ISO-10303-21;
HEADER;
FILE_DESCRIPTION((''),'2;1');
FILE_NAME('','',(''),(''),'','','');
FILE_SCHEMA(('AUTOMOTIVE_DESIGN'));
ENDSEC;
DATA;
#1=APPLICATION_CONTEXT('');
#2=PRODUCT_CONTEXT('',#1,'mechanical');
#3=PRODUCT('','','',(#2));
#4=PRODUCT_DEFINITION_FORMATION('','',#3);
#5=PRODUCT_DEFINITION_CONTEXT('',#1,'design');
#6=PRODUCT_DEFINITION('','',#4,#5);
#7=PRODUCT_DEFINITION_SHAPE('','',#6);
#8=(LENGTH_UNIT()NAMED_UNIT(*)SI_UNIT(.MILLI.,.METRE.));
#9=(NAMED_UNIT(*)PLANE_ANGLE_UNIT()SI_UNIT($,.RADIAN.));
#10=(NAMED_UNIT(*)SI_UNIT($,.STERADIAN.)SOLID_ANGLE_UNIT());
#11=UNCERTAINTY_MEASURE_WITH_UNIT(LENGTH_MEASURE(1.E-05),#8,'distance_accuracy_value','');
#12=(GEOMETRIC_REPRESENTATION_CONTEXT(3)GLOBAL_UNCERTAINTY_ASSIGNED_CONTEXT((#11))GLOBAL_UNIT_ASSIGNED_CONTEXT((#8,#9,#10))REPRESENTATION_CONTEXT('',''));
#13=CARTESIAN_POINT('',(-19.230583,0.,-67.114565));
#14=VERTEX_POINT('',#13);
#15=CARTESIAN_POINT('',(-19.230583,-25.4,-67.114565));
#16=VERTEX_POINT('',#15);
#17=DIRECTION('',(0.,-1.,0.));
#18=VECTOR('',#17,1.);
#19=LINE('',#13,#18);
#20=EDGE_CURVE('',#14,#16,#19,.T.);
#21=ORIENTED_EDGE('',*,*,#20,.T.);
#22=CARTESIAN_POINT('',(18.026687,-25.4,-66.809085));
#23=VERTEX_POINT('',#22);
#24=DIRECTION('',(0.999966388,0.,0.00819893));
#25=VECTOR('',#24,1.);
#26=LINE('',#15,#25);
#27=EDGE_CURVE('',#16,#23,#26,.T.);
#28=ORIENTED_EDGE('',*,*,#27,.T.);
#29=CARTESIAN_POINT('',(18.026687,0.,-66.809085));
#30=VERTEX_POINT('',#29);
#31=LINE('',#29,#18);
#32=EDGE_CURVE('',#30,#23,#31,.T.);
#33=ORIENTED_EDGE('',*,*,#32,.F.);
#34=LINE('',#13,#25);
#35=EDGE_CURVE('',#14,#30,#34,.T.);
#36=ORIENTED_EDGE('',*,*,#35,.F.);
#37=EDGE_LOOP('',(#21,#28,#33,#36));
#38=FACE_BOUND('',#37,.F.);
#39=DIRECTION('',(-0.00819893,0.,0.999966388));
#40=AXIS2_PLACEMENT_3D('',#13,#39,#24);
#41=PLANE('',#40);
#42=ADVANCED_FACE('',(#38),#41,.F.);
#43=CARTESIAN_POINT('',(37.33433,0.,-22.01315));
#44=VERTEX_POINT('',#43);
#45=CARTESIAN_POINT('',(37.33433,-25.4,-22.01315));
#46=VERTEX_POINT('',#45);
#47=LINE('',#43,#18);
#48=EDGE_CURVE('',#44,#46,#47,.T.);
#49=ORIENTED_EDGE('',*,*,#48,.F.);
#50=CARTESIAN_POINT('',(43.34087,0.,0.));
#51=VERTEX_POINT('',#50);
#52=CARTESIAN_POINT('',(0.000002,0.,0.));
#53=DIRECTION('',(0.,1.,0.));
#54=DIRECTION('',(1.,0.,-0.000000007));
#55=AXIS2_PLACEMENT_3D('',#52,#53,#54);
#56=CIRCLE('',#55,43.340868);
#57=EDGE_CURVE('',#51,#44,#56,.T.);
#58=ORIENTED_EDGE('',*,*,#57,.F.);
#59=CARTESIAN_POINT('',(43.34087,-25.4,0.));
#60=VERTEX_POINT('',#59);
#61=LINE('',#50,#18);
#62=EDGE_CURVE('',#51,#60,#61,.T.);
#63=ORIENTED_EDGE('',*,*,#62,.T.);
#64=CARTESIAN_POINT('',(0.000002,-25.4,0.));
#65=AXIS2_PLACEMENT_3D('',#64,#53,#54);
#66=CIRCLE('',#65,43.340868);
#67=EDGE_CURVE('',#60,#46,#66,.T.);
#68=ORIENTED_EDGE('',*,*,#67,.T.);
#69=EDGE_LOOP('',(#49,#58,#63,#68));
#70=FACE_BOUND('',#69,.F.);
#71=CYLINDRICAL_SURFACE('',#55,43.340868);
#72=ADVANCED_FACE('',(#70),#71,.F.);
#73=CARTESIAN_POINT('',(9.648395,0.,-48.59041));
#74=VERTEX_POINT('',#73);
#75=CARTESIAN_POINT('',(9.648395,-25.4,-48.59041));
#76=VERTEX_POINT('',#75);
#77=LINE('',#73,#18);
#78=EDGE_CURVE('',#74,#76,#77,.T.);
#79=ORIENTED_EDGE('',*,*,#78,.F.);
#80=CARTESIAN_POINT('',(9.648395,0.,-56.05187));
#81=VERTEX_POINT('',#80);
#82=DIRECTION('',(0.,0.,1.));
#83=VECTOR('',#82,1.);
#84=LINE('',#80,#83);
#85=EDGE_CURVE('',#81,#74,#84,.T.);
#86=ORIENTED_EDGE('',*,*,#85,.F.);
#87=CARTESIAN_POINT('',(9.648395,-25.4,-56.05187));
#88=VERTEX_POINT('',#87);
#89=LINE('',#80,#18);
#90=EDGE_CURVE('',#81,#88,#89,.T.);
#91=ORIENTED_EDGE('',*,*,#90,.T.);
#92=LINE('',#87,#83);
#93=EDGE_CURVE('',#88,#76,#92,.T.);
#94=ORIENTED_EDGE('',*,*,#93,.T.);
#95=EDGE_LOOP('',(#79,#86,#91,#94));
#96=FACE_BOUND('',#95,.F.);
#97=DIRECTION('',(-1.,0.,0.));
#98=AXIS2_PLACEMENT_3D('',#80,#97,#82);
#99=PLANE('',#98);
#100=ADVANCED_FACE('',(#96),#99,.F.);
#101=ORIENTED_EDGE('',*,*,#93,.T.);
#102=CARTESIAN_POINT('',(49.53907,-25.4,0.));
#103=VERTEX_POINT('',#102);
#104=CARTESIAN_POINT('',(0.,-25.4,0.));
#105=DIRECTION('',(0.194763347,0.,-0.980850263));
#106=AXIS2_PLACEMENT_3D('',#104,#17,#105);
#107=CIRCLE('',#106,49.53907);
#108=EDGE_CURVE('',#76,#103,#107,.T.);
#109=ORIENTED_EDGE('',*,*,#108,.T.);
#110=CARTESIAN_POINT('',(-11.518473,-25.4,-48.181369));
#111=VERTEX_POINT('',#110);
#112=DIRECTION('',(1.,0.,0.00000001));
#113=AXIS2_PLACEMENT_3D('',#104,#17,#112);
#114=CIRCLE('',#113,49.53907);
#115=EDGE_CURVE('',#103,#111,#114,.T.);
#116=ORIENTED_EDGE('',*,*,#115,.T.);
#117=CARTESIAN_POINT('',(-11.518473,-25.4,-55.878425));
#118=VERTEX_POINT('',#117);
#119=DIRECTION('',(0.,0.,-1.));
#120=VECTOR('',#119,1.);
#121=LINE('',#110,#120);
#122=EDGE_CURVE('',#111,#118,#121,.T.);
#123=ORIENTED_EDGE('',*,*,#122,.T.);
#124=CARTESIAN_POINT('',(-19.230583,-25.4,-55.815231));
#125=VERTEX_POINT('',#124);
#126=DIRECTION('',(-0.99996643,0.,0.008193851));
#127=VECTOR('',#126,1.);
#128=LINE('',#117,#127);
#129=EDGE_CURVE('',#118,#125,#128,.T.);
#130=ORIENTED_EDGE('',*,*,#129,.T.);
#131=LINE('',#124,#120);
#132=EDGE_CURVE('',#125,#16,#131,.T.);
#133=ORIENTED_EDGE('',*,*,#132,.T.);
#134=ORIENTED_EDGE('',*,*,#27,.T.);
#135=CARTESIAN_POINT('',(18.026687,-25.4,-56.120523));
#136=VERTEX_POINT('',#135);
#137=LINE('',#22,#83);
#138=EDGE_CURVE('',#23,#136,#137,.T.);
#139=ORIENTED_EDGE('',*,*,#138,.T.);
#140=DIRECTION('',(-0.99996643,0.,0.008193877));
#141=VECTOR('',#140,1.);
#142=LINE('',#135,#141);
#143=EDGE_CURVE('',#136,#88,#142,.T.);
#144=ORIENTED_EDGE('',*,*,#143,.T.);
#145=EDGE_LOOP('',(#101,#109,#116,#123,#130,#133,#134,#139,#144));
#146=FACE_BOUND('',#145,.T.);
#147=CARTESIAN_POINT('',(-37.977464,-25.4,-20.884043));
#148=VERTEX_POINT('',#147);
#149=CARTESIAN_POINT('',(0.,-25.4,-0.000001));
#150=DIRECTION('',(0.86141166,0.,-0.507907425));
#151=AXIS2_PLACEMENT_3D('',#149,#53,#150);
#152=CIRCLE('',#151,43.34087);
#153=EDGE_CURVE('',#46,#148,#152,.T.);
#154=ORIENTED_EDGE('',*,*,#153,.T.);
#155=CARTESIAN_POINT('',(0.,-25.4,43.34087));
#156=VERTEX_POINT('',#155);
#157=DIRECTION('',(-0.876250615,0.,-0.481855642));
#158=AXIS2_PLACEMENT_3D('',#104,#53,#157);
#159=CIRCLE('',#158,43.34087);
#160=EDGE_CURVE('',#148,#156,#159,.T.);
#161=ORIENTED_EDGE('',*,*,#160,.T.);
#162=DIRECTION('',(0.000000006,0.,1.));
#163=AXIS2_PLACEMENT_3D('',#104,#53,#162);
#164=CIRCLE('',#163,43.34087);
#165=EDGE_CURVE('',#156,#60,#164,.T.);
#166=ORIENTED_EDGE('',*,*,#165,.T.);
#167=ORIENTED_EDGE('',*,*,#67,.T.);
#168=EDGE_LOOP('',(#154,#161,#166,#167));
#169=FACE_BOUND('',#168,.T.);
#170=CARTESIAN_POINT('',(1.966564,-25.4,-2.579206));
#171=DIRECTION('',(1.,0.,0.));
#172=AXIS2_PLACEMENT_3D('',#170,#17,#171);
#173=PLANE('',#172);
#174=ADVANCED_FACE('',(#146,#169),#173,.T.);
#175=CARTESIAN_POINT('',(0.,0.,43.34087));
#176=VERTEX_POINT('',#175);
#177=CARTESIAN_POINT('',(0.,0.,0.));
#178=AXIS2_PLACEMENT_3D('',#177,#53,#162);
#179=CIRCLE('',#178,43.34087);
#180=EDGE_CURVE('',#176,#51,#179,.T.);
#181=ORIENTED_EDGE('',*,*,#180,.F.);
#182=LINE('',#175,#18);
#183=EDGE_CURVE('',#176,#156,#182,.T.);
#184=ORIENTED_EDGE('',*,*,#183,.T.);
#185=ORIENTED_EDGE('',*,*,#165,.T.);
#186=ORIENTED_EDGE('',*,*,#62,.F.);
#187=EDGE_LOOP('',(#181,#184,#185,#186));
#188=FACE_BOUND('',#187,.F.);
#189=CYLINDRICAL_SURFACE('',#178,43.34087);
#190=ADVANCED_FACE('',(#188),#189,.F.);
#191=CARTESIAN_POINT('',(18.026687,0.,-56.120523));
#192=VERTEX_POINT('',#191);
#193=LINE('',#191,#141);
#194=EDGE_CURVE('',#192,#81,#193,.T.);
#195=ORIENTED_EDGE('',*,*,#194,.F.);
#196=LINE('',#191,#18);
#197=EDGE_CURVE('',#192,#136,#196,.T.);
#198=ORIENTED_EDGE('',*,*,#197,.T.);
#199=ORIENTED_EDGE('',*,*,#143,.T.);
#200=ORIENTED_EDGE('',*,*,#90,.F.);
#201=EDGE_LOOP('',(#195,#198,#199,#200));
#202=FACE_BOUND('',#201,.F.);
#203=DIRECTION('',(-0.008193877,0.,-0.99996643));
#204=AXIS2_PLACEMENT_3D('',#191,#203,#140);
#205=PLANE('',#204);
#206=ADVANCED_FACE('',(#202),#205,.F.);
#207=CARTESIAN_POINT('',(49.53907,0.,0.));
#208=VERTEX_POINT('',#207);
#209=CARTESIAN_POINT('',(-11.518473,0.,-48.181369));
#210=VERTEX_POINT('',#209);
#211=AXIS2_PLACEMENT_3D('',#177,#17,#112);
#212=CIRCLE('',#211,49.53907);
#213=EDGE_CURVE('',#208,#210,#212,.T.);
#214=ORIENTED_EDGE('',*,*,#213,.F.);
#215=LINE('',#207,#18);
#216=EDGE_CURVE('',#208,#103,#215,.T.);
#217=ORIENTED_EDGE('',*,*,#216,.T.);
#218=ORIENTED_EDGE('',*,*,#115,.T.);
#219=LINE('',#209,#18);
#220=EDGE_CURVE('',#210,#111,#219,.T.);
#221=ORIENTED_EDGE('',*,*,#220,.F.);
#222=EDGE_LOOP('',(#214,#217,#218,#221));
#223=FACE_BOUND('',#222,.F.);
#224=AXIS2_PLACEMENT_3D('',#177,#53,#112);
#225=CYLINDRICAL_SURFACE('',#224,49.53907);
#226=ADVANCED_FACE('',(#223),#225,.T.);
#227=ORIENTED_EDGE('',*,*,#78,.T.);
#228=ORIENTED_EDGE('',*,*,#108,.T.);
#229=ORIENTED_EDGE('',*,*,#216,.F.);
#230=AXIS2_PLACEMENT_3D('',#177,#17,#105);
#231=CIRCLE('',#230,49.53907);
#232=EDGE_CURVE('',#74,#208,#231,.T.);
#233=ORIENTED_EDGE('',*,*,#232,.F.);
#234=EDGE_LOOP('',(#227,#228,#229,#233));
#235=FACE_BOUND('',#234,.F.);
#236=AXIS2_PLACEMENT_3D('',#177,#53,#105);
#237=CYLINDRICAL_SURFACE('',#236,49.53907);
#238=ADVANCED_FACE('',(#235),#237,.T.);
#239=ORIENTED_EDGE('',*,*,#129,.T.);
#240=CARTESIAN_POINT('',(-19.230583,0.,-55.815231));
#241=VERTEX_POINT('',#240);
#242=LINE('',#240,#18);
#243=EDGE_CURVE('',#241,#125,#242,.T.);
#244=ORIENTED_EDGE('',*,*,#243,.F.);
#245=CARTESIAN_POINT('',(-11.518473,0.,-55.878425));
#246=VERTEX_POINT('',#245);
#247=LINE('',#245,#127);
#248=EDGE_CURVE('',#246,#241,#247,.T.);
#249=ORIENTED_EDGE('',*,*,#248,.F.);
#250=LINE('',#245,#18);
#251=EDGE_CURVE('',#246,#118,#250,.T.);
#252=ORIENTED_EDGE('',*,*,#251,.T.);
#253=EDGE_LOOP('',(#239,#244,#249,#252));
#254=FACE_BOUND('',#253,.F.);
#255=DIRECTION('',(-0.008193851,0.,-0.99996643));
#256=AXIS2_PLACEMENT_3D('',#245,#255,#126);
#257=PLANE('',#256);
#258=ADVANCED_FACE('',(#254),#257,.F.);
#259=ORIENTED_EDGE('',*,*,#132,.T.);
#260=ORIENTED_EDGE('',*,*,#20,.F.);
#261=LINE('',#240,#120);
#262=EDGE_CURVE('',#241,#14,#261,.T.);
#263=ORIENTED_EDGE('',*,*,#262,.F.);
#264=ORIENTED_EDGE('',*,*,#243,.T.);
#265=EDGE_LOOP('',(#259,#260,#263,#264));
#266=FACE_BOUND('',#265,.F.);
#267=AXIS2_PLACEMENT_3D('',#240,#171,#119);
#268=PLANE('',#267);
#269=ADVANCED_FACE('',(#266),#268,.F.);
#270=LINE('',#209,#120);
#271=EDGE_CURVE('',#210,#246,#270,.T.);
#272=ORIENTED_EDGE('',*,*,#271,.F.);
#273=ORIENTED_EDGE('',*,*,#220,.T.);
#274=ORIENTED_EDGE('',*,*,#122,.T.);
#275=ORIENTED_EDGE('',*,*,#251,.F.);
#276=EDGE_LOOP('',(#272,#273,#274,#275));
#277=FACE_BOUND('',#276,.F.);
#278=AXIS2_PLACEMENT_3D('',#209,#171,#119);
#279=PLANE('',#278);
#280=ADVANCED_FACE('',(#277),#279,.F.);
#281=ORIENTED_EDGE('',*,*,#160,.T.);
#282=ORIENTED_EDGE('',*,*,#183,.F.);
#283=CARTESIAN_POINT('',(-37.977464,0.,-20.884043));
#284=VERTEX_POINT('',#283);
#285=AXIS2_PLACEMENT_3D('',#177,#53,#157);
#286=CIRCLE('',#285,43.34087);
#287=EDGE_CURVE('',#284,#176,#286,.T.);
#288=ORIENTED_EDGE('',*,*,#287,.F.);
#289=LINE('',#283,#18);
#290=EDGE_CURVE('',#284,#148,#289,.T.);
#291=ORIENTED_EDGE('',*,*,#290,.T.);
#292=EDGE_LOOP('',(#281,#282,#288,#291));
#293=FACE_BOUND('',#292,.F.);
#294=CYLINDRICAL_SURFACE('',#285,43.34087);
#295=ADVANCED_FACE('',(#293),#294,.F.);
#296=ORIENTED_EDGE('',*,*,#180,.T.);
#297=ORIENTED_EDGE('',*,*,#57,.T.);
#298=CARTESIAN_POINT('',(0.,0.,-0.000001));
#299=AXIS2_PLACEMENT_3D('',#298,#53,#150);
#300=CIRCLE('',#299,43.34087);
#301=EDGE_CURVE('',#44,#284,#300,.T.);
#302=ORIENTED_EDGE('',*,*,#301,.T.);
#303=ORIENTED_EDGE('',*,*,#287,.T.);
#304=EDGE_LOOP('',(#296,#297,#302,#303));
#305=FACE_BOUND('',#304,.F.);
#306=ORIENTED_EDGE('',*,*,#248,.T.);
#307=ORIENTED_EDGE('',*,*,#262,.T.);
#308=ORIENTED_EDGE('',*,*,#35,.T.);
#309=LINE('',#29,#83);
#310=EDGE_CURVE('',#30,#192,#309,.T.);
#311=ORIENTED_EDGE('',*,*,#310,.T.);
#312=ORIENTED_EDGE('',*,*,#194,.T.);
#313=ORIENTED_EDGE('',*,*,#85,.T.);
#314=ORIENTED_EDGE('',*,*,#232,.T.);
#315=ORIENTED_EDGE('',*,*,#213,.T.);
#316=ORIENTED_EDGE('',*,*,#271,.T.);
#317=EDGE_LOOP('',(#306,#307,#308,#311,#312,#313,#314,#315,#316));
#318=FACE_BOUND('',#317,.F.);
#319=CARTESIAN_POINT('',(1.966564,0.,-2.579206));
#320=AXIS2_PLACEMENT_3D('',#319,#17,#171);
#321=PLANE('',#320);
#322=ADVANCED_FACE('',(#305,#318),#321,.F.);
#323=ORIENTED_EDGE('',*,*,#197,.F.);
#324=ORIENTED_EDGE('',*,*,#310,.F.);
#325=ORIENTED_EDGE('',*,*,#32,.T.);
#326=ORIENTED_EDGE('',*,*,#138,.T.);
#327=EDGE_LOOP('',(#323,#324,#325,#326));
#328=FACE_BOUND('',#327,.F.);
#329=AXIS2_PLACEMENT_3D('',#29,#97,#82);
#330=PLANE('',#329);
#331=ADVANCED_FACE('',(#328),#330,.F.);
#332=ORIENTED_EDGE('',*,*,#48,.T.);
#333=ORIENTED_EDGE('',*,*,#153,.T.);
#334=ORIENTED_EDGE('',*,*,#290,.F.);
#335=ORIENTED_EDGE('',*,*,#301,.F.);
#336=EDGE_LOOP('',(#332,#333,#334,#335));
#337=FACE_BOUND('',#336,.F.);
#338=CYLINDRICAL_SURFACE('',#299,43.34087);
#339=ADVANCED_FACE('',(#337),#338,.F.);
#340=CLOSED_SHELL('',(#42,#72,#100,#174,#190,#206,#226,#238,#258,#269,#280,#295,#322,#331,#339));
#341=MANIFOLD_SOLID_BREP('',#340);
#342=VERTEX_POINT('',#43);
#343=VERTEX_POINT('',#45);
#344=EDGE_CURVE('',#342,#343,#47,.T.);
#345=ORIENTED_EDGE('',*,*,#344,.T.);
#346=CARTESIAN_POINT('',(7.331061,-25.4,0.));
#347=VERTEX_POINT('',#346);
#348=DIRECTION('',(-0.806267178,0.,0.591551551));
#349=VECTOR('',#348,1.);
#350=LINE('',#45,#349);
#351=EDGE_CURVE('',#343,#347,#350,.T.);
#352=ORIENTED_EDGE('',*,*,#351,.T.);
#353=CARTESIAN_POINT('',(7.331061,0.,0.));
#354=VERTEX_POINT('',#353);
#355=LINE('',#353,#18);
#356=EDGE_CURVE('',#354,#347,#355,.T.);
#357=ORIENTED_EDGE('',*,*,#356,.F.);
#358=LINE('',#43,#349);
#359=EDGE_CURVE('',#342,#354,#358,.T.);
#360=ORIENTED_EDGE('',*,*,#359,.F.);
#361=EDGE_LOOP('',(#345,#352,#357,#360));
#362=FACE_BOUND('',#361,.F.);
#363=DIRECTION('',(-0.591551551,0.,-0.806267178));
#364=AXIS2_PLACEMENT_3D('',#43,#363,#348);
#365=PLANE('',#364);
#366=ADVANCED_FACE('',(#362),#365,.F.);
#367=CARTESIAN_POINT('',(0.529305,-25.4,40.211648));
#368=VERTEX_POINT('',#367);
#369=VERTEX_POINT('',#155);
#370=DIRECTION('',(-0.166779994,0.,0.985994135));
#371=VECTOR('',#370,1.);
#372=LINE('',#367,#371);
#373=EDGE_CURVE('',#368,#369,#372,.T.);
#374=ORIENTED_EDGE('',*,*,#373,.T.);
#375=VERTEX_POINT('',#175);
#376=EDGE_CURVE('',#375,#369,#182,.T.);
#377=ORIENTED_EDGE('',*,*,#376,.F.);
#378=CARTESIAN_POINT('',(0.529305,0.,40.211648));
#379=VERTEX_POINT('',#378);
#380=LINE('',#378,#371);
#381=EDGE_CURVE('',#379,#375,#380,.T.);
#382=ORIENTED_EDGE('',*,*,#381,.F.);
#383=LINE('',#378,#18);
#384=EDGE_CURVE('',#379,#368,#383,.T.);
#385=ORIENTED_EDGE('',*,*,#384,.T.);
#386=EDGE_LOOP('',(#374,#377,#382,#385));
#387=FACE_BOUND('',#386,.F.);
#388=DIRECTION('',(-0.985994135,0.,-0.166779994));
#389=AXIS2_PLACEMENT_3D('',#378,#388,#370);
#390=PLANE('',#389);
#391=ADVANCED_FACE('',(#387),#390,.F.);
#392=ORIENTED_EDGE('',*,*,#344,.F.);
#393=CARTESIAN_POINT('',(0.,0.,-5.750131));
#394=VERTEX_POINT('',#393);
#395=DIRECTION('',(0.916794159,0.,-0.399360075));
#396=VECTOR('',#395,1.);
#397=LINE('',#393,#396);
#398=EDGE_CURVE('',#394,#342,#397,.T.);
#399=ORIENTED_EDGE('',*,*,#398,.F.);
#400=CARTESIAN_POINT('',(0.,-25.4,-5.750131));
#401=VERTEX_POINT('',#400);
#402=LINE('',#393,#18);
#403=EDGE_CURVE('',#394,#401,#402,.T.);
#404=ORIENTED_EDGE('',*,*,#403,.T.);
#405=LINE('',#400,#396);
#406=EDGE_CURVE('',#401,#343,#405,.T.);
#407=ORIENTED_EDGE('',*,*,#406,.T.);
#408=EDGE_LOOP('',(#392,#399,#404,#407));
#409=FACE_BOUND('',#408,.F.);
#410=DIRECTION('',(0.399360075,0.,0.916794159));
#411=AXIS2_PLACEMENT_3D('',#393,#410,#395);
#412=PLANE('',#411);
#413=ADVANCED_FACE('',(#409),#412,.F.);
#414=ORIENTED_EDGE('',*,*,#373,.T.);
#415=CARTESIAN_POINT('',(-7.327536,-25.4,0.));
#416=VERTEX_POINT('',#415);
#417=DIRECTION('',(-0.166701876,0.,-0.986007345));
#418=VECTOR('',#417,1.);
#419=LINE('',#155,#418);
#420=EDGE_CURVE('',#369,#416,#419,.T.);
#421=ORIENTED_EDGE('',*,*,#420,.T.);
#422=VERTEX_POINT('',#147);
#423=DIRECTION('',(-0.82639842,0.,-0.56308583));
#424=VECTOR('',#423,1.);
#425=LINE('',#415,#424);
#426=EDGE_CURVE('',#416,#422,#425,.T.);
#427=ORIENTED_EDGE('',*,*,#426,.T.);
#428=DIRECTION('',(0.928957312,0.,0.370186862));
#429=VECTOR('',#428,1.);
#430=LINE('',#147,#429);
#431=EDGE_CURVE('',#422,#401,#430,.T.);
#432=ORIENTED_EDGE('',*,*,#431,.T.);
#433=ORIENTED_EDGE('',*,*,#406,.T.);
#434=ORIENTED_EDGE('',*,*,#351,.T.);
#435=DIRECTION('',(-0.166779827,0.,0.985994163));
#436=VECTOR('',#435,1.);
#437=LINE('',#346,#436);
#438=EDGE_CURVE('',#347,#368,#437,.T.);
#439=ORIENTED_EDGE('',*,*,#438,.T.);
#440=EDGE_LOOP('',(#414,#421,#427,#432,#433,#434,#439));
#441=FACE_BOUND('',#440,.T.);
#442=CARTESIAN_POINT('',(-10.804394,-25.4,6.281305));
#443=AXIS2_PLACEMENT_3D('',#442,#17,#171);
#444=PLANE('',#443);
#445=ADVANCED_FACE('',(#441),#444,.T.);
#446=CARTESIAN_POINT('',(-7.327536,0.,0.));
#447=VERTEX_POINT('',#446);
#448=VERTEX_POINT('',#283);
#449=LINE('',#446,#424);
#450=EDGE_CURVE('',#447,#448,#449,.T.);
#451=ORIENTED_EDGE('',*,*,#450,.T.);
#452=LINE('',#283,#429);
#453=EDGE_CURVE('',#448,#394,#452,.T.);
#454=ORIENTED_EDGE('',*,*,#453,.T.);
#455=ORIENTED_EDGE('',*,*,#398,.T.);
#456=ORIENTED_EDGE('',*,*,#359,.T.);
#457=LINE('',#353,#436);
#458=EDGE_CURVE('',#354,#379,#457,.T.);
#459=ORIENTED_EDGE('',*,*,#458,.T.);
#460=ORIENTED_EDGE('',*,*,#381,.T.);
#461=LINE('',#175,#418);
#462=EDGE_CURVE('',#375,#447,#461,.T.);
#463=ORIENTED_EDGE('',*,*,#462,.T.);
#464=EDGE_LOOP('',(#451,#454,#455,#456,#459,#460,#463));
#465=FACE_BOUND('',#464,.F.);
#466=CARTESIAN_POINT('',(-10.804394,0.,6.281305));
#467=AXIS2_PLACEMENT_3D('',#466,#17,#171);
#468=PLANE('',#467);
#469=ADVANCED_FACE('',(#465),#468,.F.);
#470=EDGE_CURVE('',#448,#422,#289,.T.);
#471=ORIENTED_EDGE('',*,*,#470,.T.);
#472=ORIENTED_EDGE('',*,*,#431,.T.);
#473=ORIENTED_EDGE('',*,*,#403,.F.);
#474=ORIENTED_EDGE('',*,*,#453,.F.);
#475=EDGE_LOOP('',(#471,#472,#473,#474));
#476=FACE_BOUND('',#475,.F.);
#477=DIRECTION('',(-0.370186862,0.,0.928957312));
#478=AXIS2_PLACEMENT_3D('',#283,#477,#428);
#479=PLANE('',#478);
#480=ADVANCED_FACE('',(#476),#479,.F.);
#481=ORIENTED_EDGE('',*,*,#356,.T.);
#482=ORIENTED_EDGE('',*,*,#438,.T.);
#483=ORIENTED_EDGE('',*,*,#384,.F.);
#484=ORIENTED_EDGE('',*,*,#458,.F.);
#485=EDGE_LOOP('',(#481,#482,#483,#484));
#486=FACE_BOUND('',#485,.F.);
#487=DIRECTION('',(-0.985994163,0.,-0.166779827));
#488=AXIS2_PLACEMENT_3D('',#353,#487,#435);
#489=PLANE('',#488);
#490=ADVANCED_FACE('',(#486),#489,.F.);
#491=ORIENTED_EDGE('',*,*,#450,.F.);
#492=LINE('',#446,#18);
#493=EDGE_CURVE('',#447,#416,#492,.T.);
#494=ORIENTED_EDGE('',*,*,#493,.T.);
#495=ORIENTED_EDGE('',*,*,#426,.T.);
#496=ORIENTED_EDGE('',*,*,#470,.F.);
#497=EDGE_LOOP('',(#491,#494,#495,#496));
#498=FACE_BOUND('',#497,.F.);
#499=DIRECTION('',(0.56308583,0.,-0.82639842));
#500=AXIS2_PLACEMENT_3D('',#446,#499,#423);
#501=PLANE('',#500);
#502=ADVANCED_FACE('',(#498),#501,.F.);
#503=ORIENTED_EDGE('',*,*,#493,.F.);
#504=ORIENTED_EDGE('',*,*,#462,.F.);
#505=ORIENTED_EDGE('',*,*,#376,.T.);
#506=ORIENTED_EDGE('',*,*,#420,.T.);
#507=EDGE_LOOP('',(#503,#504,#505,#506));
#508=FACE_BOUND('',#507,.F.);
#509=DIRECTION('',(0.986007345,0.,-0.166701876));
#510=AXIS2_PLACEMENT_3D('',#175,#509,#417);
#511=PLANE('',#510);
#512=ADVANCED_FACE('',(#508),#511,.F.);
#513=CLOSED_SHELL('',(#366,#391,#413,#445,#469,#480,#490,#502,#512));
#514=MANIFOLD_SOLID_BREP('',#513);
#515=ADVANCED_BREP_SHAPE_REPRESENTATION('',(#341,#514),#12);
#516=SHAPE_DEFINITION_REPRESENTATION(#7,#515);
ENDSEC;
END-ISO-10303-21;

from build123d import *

# Parameters (mm, degrees)
F1_DEPTH = 25.4


with BuildPart() as f1:
    # F0 (on Front) → F1 (new body)
    with BuildSketch(Plane.XZ):
        with BuildLine():
            ThreePointArc((49.53907, 0), (-30.687987, 38.889162), (-11.518473, -48.181369))
            ThreePointArc((-11.518473, -48.181369), (-0.957145, -49.529823), (9.648395, -48.59041))
            ThreePointArc((9.648395, -48.59041), (38.28898, -31.433636), (49.53907, 0))
        make_face()
        with BuildLine():
            ThreePointArc((0, 43.34087), (30.646623, 30.646623), (43.34087, 0))
            ThreePointArc((43.34087, 0), (41.812279, -11.408958), (37.33433, -22.01315))
            ThreePointArc((37.33433, -22.01315), (-0.649712, -43.336), (-37.977464, -20.884043))
            ThreePointArc((-37.977464, -20.884043), (-37.306592, 22.060127), (0, 43.34087))
        make_face(mode=Mode.SUBTRACT)
        Polygon((0.529305, 40.211648), (0, 43.34087), (-7.327536, 0), (-37.977464, -20.884043), (-1.239218, -0.681454), (0, 0), align=None)
        Polygon((-1.239218, -0.681454), (37.33433, -22.01315), (7.331061, 0), (0.529305, 40.211648), (0, 0), align=None)
        Polygon((0, -5.750131), (37.33433, -22.01315), (-1.239218, -0.681454), (-37.977464, -20.884043), align=None)
        with BuildLine():
            Line((-11.518473, -48.181369), (-11.518473, -55.878425))
            Line((-11.518473, -55.878425), (9.648395, -56.05187))
            Line((9.648395, -56.05187), (9.648395, -48.59041))
            ThreePointArc((9.648395, -48.59041), (-0.957145, -49.529823), (-11.518473, -48.181369))
        make_face()
        Polygon((-11.518473, -55.878425), (-19.230583, -55.815231), (-19.230583, -67.114565), (18.026687, -66.809085), (18.026687, -56.120523), (9.648395, -56.05187), align=None)
    extrude(amount=F1_DEPTH)


solid = f1.part
